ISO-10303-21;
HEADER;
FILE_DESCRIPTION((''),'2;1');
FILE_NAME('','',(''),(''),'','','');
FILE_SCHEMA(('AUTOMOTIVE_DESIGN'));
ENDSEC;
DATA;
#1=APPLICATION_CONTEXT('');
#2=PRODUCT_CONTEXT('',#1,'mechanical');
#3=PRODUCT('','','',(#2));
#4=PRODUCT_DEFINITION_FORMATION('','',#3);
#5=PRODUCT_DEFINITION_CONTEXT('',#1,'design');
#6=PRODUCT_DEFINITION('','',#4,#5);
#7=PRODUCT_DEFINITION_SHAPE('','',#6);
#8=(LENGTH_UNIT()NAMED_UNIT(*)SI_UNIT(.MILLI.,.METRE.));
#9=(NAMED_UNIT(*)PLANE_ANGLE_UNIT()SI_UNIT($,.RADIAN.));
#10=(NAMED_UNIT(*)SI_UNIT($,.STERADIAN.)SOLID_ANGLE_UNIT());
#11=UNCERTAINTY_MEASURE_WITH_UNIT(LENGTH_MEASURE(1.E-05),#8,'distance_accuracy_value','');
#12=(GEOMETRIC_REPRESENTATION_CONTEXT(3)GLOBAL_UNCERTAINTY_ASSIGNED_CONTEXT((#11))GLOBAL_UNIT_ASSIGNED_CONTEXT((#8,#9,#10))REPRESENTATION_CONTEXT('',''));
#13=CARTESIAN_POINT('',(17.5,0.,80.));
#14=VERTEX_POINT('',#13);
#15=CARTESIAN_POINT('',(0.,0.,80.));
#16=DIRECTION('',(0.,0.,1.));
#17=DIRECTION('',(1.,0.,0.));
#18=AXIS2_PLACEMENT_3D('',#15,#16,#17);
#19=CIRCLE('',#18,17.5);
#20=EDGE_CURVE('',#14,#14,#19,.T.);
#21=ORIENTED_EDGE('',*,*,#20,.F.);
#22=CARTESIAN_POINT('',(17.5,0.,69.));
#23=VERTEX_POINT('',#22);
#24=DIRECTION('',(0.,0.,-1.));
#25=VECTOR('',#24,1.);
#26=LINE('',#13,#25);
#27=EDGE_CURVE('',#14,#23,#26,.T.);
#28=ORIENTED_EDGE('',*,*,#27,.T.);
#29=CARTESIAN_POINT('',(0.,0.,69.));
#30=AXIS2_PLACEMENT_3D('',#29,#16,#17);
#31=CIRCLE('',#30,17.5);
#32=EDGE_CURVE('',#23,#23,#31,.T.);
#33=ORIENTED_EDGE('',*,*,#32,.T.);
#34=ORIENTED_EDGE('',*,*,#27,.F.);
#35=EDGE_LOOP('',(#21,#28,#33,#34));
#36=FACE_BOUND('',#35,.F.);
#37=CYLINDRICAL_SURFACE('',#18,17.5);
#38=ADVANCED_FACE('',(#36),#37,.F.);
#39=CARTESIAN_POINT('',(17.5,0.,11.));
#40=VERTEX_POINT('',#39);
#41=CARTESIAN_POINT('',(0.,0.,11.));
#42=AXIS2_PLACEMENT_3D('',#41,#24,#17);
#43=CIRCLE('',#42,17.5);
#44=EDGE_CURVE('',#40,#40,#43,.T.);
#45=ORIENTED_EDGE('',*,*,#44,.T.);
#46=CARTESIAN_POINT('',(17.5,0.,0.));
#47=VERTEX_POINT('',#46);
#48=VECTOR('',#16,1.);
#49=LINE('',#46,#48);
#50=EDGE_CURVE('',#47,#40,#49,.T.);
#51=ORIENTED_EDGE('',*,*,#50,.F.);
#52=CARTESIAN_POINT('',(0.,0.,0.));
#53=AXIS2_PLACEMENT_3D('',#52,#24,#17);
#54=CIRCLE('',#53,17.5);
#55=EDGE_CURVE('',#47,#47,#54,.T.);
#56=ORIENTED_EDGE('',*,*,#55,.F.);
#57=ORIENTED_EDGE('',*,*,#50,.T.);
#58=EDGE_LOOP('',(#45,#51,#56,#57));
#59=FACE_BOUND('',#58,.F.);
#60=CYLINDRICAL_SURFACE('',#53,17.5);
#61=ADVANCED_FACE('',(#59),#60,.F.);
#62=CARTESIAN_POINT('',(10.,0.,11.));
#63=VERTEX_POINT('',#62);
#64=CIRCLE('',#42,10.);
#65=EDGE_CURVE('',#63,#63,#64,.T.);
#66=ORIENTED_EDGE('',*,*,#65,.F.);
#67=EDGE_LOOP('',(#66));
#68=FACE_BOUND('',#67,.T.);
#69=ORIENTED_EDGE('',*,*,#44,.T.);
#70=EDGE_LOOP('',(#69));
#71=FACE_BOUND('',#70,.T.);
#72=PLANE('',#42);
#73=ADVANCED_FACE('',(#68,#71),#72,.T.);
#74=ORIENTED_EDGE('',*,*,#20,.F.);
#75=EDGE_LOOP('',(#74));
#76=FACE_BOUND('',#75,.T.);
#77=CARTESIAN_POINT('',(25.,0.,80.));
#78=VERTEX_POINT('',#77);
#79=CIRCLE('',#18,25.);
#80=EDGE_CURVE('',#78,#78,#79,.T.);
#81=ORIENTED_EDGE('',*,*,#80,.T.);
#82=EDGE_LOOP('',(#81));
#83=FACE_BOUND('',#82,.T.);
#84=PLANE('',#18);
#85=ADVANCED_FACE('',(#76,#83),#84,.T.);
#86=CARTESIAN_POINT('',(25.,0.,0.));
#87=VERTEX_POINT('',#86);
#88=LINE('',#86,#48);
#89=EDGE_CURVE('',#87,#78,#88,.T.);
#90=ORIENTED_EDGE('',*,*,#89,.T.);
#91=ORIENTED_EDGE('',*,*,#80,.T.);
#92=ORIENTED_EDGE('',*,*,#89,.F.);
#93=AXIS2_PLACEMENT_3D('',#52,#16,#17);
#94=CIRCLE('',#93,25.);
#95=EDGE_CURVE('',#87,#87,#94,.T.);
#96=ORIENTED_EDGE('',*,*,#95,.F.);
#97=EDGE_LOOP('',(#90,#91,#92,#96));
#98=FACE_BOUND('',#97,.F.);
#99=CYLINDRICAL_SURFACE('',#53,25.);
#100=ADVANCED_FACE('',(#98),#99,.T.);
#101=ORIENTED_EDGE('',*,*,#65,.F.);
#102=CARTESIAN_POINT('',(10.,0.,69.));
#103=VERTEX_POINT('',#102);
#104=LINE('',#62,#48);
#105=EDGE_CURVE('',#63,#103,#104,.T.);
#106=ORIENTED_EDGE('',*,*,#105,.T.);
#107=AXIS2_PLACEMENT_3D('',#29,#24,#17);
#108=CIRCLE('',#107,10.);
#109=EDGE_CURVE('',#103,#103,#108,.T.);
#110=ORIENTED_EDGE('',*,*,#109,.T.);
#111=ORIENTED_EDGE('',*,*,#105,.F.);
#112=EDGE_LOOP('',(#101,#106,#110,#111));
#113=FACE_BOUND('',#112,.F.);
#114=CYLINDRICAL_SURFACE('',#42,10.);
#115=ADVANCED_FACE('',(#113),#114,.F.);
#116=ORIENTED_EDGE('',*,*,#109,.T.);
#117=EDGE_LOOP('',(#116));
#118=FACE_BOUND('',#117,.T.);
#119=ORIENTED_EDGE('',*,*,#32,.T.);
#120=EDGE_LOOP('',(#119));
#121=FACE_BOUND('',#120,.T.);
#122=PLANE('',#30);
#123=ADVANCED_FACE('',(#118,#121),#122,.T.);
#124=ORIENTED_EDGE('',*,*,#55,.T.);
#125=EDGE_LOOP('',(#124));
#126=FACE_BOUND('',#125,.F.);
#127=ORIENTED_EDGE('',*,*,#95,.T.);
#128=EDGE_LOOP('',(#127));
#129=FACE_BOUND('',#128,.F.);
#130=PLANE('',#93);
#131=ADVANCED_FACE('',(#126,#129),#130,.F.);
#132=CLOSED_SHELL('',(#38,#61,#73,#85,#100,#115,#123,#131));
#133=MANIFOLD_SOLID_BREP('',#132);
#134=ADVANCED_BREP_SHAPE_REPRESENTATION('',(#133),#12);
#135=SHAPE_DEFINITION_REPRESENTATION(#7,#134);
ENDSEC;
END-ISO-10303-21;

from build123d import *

# Parameters (mm, degrees)
F0_R     = 25
F1_DEPTH = 80
F2_R     = 17.5
F3_DEPTH = 11
F4_R     = 17.5
F5_DEPTH = 11
F6_R     = 10
F7_DEPTH = 100


with BuildPart() as f1:
    # F0 (on Top) → F1 (new body)
    with BuildSketch(Plane.XY):
        Circle(F0_R)
    extrude(amount=F1_DEPTH)

    # F2 (on face) → F3 (cut)
    with BuildSketch(Plane.XY.offset(80)):
        Circle(F2_R)
    extrude(amount=-F3_DEPTH, mode=Mode.SUBTRACT)

    # F4 (on face) → F5 (cut)
    with BuildSketch(Plane(origin=(0, 0, 0), x_dir=(1, 0, 0), z_dir=(0, 0, -1))):
        Circle(F4_R)
    extrude(amount=-F5_DEPTH, mode=Mode.SUBTRACT)

    # F6 (on face) → F7 (cut)
    with BuildSketch(Plane(origin=(0, 0, 11), x_dir=(1, 0, 0), z_dir=(0, 0, -1))):
        Circle(F6_R)
    extrude(amount=-F7_DEPTH, mode=Mode.SUBTRACT)


solid = f1.part
